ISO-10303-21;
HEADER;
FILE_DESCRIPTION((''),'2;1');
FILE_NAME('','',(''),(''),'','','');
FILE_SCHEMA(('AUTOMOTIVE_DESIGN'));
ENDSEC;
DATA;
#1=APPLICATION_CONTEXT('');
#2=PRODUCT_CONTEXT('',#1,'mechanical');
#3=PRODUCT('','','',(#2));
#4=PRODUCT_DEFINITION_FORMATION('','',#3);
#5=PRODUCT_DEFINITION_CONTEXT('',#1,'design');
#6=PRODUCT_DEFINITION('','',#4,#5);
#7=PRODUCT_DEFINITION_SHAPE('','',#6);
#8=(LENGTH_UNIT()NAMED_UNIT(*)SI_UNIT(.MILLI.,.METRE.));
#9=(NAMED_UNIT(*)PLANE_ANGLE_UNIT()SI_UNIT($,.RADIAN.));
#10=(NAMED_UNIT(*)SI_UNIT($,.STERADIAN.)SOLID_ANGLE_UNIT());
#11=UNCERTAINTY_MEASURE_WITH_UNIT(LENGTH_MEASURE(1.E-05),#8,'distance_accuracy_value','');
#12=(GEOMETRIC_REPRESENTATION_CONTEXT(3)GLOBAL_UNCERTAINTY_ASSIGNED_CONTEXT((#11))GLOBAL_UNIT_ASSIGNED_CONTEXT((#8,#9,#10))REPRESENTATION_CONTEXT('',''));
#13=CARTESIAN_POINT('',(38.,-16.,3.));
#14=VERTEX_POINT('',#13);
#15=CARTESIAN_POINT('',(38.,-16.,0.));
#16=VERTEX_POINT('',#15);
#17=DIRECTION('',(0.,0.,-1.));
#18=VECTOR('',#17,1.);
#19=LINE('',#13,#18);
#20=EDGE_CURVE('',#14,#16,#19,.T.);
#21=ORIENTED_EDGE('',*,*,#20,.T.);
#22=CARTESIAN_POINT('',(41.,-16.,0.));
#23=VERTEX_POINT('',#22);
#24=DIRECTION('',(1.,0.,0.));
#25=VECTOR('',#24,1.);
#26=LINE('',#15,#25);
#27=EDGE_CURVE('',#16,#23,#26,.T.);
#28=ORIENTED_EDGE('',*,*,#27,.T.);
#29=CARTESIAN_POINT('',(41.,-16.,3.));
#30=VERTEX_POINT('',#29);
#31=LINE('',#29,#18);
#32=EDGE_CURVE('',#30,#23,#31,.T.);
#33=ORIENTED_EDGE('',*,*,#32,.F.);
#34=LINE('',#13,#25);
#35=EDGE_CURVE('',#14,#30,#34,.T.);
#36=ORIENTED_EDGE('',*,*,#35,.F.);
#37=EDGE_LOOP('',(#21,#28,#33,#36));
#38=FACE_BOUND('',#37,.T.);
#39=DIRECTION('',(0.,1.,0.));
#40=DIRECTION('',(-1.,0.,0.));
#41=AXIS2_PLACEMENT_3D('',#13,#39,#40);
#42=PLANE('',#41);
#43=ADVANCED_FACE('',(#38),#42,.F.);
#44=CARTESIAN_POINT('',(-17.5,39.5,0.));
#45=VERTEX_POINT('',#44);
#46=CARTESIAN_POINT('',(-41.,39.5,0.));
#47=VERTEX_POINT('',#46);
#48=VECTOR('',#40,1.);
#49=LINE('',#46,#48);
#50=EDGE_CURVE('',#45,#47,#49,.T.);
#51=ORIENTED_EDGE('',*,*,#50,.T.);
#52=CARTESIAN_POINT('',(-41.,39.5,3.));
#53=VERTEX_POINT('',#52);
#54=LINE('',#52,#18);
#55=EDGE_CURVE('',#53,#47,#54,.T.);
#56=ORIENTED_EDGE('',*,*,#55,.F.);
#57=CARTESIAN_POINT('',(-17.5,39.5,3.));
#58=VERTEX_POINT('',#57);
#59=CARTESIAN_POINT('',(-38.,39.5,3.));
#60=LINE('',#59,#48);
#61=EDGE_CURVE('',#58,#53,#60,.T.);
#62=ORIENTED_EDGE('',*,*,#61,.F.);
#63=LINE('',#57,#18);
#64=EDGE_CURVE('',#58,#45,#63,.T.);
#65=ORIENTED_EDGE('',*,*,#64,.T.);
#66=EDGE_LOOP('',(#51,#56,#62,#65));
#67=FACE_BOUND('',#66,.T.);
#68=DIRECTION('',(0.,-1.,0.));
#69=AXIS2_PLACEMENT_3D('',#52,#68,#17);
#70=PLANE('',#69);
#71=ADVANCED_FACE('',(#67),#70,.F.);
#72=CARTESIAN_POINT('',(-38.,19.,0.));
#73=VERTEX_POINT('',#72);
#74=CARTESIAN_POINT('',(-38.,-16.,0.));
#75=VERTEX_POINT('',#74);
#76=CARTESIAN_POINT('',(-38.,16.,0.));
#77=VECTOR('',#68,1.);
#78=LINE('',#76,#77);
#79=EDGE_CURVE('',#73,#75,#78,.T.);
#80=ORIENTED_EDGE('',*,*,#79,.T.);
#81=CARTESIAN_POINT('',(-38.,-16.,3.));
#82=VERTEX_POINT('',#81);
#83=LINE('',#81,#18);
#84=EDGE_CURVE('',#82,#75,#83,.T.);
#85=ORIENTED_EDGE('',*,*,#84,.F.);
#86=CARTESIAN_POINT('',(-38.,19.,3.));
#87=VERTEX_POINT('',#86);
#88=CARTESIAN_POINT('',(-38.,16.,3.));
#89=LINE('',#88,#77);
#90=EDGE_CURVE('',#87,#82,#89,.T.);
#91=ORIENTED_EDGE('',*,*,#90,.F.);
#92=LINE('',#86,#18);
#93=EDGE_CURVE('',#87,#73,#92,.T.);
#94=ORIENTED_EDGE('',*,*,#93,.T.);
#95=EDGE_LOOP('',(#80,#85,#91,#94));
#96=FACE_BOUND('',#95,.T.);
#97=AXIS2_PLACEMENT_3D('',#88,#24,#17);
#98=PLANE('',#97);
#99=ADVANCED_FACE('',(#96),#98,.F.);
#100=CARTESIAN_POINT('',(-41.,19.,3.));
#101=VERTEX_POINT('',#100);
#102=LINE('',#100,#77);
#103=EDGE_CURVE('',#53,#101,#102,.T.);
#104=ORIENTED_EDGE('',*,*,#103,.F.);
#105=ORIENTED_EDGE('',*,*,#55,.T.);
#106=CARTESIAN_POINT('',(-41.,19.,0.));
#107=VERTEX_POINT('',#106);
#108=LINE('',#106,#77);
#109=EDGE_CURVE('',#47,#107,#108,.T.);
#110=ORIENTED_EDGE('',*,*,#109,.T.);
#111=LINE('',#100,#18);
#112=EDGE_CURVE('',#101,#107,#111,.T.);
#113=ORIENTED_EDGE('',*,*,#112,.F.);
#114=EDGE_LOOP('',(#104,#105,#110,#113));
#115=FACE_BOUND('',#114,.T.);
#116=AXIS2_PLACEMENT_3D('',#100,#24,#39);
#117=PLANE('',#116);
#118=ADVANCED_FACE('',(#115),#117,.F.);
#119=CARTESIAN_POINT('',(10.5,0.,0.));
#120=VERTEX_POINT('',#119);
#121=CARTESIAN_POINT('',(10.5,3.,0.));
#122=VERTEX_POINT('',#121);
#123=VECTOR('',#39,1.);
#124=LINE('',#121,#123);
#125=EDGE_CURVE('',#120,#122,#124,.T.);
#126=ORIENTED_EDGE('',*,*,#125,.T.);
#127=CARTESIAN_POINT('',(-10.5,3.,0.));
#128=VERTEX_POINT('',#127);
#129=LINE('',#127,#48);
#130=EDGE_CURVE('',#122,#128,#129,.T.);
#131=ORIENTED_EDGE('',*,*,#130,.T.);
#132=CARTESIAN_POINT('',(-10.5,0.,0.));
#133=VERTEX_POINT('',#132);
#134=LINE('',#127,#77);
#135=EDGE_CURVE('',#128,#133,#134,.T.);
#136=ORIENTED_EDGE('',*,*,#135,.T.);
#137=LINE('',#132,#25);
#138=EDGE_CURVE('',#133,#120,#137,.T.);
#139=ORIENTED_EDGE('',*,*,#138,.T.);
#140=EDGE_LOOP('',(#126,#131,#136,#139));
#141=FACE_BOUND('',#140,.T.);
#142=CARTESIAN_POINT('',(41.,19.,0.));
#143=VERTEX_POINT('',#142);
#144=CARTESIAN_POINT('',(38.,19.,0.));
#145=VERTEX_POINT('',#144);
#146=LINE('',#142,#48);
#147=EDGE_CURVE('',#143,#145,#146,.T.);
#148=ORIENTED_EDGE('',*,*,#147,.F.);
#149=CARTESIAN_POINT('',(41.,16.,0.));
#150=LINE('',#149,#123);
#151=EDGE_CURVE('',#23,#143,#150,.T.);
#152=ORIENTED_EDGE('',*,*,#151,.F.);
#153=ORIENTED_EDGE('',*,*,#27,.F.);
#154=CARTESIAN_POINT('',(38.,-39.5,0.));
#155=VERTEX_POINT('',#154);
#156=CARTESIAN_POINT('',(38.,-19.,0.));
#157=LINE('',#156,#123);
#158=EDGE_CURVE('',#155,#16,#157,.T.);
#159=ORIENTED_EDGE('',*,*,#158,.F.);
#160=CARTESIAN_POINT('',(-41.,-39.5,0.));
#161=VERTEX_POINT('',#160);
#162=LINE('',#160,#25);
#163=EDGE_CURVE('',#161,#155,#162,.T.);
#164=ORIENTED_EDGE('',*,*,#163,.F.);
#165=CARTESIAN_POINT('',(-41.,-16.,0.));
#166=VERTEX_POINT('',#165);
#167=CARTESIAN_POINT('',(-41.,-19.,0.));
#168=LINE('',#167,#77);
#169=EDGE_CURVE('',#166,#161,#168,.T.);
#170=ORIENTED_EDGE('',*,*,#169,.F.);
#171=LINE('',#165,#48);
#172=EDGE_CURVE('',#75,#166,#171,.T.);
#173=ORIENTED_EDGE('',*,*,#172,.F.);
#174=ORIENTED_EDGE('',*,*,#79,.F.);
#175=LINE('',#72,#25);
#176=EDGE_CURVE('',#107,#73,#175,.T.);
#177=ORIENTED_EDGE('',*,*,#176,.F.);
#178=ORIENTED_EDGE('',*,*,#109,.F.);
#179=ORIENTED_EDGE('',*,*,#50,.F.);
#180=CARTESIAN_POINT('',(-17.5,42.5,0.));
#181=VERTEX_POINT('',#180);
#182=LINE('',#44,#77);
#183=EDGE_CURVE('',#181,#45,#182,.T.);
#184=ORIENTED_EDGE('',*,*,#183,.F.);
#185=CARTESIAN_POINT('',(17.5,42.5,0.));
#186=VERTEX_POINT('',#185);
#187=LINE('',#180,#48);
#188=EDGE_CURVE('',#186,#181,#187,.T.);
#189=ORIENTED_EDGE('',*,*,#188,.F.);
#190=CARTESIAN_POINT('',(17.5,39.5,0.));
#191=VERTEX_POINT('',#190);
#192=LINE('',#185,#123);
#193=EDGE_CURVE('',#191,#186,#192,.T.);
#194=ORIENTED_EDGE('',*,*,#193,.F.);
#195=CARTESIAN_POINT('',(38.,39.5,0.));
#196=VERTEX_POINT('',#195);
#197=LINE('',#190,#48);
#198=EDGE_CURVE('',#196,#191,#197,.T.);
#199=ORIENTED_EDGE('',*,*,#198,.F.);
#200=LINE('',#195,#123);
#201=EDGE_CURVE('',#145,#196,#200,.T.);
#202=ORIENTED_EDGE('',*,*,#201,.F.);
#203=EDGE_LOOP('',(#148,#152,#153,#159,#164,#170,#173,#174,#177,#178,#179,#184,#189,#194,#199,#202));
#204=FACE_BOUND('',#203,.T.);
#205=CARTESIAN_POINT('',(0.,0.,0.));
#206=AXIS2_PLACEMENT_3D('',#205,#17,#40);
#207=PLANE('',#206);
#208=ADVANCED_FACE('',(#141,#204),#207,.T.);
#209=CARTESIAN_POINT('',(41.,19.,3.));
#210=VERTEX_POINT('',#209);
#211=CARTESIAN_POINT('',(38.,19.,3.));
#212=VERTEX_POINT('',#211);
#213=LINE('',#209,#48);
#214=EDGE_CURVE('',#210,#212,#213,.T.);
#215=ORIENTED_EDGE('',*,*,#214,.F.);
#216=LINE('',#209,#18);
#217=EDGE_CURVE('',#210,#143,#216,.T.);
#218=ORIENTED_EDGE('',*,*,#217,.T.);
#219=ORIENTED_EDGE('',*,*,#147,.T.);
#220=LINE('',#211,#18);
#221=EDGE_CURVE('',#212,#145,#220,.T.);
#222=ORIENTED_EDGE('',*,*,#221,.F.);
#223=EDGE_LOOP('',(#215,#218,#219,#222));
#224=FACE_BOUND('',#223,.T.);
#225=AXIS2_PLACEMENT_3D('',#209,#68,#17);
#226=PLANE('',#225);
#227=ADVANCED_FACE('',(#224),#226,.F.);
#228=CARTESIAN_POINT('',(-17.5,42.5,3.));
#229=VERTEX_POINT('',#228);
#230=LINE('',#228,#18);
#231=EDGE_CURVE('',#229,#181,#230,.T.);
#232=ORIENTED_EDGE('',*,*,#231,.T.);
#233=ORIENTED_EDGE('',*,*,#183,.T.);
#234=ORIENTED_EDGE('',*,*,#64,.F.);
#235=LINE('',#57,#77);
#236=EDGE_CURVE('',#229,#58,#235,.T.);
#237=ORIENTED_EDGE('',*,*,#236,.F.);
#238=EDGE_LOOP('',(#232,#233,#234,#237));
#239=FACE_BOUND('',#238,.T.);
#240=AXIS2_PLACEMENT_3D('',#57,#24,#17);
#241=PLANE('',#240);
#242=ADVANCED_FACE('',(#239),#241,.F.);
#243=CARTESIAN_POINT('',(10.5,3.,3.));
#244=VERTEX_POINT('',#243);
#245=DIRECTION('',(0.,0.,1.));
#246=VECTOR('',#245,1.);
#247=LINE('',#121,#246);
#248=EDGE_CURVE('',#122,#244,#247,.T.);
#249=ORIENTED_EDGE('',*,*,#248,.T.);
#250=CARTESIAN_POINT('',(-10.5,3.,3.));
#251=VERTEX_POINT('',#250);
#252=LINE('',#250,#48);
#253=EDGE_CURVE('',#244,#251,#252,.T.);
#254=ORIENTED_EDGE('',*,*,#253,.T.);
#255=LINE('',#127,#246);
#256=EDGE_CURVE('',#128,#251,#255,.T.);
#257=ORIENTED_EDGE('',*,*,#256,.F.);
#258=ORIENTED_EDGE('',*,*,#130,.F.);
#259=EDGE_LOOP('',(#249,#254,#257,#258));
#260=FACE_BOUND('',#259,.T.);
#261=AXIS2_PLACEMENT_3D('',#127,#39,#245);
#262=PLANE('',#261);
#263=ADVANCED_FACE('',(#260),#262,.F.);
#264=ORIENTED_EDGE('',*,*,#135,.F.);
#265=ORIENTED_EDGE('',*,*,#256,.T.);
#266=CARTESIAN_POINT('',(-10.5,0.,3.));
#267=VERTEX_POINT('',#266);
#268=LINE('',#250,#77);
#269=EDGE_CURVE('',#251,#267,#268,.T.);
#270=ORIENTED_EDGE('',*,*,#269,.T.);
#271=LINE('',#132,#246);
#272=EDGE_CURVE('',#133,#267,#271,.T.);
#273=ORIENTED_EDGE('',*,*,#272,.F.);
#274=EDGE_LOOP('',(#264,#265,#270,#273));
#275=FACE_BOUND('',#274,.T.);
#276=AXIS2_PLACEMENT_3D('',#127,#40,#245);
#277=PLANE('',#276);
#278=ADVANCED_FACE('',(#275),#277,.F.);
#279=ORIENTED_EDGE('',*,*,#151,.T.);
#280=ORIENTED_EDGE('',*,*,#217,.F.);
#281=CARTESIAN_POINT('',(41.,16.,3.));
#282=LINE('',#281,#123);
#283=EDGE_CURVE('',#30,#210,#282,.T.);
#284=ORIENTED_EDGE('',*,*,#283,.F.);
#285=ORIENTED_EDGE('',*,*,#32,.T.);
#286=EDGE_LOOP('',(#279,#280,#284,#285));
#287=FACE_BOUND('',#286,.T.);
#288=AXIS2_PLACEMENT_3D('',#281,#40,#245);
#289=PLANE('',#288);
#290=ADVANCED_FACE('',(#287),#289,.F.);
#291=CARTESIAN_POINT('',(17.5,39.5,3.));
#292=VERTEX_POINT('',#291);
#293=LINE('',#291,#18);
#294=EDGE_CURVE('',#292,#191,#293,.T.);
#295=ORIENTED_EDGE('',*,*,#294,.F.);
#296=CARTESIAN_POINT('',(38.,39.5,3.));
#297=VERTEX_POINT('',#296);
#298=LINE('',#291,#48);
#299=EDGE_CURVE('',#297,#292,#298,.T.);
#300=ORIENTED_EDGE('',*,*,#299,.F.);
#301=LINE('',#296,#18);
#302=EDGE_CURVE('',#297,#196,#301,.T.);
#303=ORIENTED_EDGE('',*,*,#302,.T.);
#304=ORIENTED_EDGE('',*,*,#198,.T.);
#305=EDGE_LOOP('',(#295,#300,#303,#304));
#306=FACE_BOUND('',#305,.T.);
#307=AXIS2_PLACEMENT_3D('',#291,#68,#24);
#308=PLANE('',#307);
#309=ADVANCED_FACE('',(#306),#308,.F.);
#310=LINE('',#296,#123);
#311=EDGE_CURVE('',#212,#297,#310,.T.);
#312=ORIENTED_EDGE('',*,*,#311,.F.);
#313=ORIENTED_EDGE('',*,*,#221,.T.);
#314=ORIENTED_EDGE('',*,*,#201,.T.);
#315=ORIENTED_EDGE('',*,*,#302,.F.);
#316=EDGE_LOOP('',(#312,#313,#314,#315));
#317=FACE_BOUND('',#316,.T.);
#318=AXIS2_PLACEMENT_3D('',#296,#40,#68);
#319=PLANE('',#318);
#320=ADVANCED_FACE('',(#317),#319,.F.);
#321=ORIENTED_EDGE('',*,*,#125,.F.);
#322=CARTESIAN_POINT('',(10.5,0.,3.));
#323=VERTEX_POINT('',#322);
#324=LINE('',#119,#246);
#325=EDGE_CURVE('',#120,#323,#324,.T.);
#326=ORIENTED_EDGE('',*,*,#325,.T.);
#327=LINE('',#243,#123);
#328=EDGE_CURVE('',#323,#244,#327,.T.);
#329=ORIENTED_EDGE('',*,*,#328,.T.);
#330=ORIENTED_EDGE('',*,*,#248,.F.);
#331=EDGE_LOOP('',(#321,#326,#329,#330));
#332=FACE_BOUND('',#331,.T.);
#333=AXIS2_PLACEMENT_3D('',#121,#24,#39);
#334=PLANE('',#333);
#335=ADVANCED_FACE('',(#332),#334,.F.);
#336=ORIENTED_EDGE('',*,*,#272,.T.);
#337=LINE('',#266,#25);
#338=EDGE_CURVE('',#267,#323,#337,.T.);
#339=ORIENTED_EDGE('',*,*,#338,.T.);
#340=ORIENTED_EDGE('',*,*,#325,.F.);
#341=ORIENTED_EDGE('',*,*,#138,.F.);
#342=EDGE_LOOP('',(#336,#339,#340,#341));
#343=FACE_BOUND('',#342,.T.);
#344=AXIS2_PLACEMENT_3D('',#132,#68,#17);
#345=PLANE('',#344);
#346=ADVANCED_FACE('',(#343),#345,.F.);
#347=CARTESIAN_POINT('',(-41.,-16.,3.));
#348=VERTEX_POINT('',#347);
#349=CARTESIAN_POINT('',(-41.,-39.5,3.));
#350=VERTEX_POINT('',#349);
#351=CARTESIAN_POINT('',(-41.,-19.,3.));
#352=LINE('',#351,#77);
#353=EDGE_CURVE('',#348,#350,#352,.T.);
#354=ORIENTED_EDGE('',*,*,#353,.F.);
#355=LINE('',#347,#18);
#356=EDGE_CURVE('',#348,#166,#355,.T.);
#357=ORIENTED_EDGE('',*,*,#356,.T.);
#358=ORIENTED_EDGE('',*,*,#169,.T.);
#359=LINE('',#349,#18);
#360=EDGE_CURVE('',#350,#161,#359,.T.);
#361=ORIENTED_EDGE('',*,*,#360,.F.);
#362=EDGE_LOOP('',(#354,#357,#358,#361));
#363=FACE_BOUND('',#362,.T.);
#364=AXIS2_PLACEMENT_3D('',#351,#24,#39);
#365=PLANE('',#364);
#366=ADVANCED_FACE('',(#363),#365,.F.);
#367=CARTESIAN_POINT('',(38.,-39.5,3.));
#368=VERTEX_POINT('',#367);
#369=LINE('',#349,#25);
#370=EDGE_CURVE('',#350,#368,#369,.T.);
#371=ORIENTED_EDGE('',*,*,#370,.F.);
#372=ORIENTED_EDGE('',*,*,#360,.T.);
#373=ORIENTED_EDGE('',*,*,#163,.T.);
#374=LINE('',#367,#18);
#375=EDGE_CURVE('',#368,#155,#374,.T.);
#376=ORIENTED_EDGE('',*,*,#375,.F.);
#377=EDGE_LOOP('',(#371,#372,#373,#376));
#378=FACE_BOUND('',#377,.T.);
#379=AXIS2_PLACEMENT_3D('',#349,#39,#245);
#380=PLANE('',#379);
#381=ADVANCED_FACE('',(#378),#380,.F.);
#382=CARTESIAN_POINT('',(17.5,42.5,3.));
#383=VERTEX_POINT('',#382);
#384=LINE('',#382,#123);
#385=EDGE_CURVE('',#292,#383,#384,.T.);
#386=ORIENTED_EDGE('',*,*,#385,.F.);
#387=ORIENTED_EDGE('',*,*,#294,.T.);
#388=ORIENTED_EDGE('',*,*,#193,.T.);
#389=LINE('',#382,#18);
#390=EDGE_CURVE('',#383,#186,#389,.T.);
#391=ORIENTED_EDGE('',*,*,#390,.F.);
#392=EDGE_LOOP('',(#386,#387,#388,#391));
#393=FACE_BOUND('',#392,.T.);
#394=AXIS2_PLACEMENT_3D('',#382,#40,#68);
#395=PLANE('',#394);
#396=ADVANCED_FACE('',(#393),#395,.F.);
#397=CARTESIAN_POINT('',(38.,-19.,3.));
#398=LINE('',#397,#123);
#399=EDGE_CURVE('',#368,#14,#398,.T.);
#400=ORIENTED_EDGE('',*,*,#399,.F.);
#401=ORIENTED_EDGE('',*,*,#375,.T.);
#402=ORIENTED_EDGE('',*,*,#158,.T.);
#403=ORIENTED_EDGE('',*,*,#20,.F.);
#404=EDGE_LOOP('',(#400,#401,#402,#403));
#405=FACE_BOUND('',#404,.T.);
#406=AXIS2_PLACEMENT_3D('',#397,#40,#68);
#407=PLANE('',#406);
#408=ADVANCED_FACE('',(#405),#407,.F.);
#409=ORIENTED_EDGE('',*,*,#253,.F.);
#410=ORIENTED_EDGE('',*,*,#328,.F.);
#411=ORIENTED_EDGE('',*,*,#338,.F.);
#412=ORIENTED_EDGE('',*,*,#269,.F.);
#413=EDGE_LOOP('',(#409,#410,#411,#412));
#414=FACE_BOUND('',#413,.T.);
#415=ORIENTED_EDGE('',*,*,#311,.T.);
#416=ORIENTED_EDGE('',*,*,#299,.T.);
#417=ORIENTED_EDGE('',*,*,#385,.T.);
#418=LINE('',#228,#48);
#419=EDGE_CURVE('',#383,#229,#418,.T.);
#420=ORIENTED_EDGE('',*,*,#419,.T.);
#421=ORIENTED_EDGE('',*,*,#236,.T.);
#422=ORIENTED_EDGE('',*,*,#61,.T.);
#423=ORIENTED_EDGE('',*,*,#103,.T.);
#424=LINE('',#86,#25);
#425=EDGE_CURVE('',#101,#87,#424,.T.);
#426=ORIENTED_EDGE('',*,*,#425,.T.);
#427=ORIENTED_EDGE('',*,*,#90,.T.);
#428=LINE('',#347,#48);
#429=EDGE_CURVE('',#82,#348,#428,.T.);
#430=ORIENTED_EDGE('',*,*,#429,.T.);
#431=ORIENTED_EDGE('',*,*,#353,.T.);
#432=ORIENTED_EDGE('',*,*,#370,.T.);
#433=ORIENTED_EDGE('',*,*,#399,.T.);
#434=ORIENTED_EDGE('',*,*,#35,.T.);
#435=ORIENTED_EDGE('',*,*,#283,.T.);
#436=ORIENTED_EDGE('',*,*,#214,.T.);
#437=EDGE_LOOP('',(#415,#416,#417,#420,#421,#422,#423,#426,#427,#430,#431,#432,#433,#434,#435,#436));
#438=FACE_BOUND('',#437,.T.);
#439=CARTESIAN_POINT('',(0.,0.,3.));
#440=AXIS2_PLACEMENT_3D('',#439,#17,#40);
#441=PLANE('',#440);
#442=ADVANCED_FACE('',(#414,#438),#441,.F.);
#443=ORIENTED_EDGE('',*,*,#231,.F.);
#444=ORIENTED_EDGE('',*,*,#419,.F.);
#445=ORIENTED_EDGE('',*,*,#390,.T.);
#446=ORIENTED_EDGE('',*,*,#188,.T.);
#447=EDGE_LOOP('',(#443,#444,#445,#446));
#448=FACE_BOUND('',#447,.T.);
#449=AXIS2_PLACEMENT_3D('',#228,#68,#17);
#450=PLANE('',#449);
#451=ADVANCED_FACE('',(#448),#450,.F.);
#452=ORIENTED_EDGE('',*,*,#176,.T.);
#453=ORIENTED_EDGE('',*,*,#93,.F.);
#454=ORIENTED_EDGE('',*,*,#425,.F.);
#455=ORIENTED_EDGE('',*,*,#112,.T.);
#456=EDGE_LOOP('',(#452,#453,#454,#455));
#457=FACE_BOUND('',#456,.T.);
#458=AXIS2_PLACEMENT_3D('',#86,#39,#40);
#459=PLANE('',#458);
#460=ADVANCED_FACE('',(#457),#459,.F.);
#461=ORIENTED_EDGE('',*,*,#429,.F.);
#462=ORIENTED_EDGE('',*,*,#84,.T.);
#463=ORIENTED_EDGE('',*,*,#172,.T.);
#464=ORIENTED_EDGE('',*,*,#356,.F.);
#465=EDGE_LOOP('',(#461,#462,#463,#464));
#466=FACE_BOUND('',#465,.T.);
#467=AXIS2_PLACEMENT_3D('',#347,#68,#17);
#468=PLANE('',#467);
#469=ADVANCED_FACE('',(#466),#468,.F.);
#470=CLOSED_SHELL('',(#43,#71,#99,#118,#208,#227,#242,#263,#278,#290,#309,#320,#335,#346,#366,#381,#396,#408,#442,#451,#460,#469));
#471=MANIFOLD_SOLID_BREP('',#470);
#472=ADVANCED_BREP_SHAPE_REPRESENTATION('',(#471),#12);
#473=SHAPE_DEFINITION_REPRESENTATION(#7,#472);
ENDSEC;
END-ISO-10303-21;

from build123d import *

# Parameters (mm, degrees)
BOSS_EXTRUDE1_DEPTH = 3
SKETCH2_W           = 21
SKETCH2_H           = 3
CUT_EXTRUDE1_DEPTH  = 3


with BuildPart() as part:
    # Sketch1 → Boss-Extrude1 (new body)
    with BuildSketch(Plane.XY):
        Polygon((-38, 39.5), (-17.5, 39.5), (-17.5, 42.5), (17.5, 42.5), (17.5, 39.5), (38, 39.5), (38, 19), (41, 19), (41, 16), (41, -16), (38, -16), (38, -19), (38, -39.5), (-41, -39.5), (-41, -19), (-41, -16), (-38, -16), (-38, 16), (-38, 19), (-41, 19), (-41, 39.5), align=None)
    extrude(amount=BOSS_EXTRUDE1_DEPTH)

    # Sketch2 → Cut-Extrude1 (cut)
    with BuildSketch(Plane.XY.offset(3)):
        with Locations((0, 1.5)):
            Rectangle(SKETCH2_W, SKETCH2_H)
    extrude(amount=-CUT_EXTRUDE1_DEPTH, mode=Mode.SUBTRACT)


solid = part.part
